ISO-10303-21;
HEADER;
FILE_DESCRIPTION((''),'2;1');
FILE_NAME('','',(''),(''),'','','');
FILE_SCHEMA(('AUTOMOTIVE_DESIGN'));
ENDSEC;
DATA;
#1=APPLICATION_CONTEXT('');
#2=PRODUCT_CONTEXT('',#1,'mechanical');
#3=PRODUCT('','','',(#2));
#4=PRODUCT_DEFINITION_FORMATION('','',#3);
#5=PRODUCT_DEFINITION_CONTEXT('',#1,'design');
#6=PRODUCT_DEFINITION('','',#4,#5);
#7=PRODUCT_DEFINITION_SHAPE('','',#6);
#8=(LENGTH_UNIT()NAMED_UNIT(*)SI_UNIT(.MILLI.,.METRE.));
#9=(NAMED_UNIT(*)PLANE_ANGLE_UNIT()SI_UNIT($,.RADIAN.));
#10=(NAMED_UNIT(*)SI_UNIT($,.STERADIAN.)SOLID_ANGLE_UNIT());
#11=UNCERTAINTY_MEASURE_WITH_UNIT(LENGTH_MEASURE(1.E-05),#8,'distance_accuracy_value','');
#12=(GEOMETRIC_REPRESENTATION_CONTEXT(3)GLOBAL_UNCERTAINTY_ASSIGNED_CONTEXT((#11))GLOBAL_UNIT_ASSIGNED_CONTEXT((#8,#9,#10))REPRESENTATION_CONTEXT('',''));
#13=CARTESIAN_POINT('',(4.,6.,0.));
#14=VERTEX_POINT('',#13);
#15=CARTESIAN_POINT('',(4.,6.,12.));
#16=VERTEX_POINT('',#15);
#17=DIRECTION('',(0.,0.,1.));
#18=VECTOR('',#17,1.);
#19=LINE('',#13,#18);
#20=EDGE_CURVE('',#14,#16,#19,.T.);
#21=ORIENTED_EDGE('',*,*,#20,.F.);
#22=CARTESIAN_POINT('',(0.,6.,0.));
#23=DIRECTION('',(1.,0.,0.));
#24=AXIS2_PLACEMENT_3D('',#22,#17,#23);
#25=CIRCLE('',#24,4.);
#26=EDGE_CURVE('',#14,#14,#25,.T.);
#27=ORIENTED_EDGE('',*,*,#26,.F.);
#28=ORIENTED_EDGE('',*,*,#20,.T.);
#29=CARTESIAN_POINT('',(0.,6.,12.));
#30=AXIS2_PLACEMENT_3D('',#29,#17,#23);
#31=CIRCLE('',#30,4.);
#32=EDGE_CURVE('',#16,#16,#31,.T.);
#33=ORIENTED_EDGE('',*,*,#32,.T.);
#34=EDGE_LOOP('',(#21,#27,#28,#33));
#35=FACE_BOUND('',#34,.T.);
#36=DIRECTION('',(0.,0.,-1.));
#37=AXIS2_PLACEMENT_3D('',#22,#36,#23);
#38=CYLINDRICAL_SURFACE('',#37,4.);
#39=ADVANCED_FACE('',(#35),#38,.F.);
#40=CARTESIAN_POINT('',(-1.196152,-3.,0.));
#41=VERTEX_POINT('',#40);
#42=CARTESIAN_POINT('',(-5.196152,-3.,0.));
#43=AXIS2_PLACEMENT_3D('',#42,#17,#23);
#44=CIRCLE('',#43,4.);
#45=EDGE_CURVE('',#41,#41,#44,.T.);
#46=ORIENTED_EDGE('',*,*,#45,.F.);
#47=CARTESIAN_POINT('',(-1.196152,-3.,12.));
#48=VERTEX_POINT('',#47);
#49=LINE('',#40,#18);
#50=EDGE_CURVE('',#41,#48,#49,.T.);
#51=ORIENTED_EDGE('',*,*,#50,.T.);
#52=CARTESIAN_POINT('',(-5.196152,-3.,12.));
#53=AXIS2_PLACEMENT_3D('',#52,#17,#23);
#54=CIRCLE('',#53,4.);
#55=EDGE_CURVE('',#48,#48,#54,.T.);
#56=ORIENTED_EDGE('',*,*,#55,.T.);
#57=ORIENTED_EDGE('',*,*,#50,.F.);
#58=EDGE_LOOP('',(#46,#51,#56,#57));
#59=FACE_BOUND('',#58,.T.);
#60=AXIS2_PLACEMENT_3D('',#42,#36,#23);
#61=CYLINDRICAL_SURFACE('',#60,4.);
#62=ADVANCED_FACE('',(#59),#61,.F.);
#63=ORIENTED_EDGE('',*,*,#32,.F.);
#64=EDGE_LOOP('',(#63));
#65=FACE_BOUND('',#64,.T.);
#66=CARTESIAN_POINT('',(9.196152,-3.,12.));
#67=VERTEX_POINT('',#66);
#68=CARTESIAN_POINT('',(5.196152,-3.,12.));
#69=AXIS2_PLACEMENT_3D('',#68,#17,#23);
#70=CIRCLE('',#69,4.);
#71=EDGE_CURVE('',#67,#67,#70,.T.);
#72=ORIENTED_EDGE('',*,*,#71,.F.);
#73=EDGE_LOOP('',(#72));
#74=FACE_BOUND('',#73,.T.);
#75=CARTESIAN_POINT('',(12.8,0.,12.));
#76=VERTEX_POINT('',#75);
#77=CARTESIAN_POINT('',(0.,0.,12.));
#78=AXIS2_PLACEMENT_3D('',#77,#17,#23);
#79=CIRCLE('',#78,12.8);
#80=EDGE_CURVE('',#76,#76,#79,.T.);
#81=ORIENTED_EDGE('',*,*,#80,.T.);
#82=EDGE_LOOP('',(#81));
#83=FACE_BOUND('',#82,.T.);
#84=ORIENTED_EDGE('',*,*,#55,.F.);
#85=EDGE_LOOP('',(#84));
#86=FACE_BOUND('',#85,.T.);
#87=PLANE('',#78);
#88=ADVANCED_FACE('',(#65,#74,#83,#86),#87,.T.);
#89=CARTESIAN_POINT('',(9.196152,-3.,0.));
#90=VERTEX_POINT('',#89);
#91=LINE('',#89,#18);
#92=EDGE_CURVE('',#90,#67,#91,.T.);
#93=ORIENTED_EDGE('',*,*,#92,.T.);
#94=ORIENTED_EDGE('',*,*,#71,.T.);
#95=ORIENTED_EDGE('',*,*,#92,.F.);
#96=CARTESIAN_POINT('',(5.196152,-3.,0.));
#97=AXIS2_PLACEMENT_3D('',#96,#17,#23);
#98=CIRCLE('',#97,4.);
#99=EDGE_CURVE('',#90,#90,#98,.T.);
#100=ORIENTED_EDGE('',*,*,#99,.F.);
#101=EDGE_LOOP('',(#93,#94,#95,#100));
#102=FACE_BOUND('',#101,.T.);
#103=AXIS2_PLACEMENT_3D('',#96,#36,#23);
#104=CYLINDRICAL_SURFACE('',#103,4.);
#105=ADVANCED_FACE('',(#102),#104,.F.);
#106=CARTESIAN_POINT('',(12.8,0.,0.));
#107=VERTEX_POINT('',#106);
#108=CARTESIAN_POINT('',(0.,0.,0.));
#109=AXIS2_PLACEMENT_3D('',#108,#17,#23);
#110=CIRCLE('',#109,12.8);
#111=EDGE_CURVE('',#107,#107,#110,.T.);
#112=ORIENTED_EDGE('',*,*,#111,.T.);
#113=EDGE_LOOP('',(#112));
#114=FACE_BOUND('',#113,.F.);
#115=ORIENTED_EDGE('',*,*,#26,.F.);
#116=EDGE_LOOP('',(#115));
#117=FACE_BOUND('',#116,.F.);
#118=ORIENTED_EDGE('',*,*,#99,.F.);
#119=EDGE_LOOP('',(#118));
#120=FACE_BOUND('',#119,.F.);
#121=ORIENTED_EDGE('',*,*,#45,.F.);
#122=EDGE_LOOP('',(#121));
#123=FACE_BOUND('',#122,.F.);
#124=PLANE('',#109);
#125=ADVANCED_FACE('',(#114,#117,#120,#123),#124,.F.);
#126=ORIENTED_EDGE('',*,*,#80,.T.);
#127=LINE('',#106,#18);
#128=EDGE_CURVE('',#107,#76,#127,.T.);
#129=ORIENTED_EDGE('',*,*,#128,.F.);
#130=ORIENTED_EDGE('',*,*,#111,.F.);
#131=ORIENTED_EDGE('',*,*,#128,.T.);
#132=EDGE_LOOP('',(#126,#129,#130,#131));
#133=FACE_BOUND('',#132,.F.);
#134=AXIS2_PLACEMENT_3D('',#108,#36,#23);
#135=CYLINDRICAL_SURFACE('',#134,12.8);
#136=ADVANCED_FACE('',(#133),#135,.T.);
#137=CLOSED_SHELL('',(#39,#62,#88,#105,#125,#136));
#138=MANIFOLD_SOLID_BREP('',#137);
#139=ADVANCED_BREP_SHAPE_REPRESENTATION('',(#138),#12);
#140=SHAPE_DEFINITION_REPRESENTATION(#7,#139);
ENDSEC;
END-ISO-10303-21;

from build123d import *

# Parameters (mm, degrees)
F0_R     = 12.8
F0_R_2   = 4
F1_DEPTH = 12


with BuildPart() as f1:
    # F0 (on Top) → F1 (new body)
    with BuildSketch(Plane.XY):
        Circle(F0_R)
        with Locations((-5.196152, -3)):
            Circle(F0_R_2, mode=Mode.SUBTRACT)
        with Locations((5.196152, -3)):
            Circle(F0_R_2, mode=Mode.SUBTRACT)
        with Locations((0, 6)):
            Circle(F0_R_2, mode=Mode.SUBTRACT)
    extrude(amount=F1_DEPTH)


solid = f1.part
